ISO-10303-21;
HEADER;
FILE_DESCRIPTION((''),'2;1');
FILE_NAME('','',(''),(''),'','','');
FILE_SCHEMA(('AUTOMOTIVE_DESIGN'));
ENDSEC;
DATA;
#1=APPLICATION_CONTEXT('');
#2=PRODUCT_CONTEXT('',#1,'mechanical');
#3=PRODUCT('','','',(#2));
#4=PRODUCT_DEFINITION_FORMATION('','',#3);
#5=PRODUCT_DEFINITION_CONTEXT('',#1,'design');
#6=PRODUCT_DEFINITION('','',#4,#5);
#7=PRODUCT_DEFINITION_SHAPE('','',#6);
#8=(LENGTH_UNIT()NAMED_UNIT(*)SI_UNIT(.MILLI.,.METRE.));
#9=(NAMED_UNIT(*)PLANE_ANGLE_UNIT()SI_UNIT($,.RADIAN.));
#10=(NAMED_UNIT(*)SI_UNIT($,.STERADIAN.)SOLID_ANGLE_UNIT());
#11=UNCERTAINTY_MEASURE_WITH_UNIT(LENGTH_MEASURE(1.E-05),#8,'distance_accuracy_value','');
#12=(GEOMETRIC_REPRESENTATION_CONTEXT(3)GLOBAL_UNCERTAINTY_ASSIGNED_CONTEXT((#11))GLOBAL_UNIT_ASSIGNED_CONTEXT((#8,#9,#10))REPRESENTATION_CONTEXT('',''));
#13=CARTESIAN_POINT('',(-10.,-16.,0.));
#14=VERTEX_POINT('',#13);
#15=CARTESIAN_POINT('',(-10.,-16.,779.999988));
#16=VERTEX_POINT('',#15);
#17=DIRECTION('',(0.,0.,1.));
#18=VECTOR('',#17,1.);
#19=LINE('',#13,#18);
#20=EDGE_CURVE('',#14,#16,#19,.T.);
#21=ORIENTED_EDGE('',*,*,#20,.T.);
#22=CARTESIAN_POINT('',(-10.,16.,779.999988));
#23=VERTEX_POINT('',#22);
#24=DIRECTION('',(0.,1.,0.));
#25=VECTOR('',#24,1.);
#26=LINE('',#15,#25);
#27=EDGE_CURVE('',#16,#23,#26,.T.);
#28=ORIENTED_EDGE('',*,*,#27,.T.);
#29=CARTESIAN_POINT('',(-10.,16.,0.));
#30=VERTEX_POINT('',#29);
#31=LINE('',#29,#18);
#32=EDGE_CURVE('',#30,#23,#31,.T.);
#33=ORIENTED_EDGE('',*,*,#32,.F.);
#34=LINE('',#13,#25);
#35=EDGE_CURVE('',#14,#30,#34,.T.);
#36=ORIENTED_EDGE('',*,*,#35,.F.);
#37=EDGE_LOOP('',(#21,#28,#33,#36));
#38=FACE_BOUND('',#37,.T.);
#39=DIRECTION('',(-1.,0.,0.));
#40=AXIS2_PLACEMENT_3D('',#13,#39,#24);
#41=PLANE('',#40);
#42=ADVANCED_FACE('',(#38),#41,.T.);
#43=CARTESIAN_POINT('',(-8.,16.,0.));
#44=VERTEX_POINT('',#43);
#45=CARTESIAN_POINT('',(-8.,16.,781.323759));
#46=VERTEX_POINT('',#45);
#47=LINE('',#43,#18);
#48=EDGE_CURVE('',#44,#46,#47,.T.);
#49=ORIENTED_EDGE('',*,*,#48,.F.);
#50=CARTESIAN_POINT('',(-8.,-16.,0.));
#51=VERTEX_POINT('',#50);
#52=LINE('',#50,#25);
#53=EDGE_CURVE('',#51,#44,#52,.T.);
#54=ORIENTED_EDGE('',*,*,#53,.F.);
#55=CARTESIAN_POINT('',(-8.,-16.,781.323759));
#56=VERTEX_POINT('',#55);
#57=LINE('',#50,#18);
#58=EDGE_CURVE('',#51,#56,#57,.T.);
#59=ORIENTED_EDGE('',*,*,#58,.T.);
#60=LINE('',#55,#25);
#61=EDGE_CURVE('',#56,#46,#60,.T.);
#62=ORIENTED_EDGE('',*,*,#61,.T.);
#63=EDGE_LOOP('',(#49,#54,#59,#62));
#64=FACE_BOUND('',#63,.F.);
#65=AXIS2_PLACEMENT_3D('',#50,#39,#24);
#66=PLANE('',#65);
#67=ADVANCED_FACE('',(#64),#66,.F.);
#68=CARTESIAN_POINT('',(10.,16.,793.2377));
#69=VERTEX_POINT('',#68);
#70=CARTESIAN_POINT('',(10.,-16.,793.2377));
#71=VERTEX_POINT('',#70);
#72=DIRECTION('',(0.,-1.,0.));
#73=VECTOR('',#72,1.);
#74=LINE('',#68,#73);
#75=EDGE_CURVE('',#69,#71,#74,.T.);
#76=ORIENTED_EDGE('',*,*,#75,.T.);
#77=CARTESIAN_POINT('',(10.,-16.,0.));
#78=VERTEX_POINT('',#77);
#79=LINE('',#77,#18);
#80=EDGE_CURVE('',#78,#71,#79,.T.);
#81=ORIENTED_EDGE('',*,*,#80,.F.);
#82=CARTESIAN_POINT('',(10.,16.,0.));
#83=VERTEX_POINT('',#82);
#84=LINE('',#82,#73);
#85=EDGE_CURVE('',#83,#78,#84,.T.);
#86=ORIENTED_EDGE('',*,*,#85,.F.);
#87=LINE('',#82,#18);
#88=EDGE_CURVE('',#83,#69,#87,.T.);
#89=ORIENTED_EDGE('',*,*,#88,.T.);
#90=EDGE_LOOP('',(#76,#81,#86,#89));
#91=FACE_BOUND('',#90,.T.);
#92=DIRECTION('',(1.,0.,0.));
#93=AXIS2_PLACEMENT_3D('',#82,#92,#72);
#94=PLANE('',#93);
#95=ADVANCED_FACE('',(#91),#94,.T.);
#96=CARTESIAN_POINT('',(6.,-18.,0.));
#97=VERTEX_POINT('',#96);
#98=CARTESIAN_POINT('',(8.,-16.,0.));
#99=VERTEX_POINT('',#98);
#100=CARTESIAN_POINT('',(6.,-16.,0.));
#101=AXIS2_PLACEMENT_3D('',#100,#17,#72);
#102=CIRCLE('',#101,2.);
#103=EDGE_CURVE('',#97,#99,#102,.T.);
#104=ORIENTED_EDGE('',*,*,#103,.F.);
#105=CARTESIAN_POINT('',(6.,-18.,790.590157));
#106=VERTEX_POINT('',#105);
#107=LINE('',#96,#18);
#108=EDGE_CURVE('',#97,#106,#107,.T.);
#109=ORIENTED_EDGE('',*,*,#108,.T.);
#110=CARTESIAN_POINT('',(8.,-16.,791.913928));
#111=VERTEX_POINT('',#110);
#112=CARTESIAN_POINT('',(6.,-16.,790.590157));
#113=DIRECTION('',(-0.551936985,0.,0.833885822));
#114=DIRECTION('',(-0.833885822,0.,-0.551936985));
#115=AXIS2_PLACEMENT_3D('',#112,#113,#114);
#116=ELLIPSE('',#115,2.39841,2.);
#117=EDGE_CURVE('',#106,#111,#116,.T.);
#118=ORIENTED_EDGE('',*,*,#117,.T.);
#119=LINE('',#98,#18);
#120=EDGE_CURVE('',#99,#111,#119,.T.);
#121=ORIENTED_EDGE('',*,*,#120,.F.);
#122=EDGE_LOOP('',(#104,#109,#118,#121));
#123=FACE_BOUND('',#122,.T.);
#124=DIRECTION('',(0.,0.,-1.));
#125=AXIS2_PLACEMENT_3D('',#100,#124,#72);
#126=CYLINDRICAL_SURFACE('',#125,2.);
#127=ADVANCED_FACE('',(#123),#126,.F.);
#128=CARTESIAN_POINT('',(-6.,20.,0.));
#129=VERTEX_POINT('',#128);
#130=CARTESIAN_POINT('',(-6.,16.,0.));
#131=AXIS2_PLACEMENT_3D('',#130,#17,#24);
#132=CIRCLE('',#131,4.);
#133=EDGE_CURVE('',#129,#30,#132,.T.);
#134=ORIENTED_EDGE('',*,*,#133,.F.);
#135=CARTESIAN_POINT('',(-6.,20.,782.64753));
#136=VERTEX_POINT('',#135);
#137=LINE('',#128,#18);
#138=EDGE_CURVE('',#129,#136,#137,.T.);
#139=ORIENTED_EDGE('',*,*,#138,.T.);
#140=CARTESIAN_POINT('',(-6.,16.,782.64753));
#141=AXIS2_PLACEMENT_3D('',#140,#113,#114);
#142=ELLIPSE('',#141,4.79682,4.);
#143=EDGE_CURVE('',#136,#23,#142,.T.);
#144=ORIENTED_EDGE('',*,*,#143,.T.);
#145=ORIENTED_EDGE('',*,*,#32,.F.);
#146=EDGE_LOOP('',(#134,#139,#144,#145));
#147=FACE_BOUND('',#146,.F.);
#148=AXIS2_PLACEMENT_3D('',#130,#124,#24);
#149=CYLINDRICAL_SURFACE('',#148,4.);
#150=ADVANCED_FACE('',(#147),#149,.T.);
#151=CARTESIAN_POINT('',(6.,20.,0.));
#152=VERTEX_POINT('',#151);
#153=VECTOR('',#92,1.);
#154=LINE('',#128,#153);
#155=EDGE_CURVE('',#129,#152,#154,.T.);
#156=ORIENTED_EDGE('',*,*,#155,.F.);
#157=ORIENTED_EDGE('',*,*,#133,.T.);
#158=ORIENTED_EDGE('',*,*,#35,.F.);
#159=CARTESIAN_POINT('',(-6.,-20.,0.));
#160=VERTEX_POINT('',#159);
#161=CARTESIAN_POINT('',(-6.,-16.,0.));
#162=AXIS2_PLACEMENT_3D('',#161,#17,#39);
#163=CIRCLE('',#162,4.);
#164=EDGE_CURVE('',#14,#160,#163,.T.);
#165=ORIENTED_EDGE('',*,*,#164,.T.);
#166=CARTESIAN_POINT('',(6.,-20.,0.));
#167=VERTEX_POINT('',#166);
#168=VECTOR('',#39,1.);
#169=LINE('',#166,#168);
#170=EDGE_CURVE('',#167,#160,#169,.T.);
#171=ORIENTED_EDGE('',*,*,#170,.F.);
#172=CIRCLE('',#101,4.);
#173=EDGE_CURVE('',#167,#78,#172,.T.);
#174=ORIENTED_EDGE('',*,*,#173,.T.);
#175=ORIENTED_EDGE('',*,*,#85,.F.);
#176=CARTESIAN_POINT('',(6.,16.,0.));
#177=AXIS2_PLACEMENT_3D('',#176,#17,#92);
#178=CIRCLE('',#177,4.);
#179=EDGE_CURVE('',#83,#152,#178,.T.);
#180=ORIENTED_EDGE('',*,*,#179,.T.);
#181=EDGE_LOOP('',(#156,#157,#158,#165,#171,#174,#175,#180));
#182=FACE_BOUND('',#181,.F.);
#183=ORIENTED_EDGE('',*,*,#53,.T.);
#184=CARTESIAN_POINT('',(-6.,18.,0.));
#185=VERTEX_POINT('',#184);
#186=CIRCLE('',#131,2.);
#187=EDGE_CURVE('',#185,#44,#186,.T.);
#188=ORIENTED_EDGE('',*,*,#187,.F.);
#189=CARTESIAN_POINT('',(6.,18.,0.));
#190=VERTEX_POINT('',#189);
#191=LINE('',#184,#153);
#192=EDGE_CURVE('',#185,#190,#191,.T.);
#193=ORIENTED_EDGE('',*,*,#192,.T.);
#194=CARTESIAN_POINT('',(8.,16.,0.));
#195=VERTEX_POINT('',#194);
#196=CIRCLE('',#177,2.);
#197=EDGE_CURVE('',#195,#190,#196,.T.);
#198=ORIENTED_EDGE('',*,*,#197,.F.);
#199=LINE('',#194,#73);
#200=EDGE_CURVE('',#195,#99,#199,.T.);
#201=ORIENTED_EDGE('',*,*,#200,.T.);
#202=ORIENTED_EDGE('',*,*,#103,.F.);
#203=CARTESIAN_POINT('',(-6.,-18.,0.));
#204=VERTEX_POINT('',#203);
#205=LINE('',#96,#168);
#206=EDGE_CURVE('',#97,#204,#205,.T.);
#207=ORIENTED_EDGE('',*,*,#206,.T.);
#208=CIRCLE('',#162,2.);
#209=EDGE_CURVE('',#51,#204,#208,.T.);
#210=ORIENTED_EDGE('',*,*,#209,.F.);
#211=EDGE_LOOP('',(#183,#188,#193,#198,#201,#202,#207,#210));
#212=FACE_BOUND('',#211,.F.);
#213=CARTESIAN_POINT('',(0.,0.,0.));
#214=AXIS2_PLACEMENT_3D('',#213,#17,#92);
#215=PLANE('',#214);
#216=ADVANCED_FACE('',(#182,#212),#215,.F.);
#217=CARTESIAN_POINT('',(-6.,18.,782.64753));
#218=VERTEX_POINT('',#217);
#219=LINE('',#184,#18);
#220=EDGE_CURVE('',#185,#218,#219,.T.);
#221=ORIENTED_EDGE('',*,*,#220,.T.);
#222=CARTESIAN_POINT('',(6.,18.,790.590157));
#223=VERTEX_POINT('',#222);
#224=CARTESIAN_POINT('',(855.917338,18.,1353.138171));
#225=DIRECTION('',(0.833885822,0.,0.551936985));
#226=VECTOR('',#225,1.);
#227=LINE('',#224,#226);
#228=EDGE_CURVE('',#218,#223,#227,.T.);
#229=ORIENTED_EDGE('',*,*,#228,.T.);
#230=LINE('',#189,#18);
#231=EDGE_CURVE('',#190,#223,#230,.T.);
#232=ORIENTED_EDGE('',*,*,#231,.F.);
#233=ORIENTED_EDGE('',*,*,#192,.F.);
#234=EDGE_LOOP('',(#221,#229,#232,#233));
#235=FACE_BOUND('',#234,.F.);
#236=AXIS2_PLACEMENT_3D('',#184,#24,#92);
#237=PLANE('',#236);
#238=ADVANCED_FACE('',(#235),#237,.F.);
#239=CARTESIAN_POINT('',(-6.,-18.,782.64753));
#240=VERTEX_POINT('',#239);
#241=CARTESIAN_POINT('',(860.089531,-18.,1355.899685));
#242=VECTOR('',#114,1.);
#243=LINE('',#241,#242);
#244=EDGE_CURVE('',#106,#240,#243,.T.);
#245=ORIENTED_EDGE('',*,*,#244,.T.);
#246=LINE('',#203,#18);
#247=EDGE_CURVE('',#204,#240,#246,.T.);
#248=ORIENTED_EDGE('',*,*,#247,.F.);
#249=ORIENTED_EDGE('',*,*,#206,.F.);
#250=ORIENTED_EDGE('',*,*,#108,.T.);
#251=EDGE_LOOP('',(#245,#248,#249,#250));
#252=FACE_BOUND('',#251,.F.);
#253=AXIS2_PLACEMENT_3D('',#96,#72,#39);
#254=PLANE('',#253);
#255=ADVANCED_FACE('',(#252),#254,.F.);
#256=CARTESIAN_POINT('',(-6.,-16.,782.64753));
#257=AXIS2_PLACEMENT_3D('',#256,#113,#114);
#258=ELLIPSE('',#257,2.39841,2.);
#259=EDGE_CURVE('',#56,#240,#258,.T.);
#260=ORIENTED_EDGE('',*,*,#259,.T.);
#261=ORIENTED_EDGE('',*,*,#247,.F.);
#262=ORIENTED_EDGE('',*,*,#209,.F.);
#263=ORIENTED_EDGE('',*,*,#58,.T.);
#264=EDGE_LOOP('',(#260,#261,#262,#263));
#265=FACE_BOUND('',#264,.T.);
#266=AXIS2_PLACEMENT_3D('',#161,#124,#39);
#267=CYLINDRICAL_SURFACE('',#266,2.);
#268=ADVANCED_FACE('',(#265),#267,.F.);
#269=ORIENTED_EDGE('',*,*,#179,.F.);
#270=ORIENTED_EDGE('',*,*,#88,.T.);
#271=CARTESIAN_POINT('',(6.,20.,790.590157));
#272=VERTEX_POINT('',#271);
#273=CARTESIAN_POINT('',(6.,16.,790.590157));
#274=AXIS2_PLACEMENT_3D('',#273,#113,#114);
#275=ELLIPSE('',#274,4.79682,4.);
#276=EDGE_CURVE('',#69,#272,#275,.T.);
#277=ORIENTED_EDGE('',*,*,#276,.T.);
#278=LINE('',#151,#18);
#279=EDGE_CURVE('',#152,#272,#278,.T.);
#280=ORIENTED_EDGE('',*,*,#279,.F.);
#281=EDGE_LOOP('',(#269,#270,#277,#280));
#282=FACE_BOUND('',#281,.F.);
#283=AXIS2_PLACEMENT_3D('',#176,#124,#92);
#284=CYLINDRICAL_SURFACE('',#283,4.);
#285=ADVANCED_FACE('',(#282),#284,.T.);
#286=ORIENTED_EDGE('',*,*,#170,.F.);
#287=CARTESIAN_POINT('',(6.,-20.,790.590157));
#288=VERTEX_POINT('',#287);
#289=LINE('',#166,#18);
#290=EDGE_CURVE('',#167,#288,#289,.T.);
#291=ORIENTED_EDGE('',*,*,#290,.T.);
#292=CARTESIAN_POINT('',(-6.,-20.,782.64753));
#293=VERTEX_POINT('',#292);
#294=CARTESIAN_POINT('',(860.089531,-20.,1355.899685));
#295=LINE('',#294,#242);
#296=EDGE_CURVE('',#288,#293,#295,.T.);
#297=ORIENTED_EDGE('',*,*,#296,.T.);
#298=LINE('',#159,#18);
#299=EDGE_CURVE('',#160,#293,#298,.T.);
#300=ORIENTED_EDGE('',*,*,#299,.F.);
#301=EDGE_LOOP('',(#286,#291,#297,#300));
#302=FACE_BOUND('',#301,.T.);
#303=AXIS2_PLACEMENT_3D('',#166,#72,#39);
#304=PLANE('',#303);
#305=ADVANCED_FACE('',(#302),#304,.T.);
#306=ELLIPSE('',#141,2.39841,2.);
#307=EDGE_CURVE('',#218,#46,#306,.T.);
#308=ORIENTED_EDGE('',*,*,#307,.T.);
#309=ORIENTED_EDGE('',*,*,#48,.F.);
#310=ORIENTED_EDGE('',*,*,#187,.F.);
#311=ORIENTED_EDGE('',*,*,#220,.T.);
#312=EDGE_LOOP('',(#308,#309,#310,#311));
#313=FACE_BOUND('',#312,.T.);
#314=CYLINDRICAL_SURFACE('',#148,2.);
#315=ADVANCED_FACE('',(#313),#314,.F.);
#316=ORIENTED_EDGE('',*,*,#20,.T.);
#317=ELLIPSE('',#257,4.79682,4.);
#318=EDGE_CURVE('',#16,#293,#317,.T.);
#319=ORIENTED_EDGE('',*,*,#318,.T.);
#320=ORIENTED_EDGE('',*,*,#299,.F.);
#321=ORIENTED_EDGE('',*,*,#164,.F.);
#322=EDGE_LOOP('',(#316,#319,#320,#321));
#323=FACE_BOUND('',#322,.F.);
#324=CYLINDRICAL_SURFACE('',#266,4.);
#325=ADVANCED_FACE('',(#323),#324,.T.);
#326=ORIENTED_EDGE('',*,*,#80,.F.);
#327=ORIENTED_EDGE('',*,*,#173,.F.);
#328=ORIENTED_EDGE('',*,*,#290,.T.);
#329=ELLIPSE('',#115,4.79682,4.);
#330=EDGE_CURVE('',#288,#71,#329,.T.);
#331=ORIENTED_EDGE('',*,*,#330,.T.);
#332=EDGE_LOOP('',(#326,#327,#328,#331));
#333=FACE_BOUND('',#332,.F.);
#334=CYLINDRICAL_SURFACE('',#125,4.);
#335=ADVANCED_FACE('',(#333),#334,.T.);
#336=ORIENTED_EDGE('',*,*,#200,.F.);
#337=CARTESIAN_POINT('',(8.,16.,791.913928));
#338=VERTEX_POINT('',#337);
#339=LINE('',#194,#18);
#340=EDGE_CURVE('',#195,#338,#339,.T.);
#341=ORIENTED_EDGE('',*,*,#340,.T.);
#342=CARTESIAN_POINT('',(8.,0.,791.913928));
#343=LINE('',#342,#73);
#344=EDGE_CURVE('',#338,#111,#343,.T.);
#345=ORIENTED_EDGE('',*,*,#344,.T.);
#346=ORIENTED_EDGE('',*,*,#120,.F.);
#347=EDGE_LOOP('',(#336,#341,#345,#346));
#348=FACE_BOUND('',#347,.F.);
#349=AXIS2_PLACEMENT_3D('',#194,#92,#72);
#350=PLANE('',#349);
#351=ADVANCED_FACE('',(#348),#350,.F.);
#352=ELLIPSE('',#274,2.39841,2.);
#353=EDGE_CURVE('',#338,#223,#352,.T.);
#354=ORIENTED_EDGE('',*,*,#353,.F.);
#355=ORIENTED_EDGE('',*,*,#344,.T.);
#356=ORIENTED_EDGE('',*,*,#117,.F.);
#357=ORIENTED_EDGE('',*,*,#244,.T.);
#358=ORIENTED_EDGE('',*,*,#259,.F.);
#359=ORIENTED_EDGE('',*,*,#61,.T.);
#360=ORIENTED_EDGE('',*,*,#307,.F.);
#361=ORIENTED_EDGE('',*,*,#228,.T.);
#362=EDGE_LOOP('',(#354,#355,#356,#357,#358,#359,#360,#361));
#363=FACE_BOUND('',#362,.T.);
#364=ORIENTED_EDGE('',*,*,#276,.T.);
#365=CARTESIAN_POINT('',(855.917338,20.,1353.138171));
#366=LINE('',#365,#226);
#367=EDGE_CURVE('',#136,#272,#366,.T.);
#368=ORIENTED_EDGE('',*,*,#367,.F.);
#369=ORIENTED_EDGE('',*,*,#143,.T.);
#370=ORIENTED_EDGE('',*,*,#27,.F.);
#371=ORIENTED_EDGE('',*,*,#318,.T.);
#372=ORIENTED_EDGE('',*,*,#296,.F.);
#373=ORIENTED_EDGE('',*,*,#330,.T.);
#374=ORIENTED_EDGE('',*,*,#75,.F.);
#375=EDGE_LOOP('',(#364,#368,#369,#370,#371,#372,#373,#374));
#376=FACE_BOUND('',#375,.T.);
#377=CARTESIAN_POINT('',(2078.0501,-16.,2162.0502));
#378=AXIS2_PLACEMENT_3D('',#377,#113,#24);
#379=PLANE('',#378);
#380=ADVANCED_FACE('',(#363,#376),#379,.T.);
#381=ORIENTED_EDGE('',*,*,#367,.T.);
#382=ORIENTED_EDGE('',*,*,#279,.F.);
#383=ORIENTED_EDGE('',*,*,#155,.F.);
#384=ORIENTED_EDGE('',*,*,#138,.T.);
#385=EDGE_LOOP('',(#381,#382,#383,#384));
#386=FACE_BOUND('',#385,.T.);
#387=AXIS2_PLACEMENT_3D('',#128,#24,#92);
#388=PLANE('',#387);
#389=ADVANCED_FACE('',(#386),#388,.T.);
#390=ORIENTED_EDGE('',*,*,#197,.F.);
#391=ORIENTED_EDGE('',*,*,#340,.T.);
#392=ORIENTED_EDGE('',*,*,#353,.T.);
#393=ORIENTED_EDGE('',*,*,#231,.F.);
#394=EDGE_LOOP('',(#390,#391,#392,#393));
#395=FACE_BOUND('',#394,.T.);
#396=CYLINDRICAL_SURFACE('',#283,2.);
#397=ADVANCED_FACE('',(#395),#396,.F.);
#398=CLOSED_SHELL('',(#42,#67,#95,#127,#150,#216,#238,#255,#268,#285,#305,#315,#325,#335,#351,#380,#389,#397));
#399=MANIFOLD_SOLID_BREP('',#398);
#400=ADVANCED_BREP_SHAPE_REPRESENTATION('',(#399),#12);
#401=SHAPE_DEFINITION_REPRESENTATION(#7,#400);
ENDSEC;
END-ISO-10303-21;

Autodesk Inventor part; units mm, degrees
ref_plane "Start Plane" through (0, 0, 0) normal (0, 0, 1) x (1, 0, 0)
ref_plane "End Plane" through (0, 0, 793.2377) normal (0, 0, 1) x (1, 0, 0)
sketch "Sketch" plane through (0, 0, 0) normal (0, 0, 1) x (1, 0, 0)
  line L0 (-10, -16) -> (-10, 16)
  line L1 (-6, 20) -> (6, 20)
  line L2 (10, 16) -> (10, -16)
  line L3 (6, -20) -> (-6, -20)
  arc A0 (-10, -16) -> (-6, -20) centre (-6, -16) ccw
  arc A1 (10, 16) -> (6, 20) centre (6, 16) ccw
  arc A2 (-6, 20) -> (-10, 16) centre (-6, 16) ccw
  arc A3 (6, -20) -> (10, -16) centre (6, -16) ccw
  arc A4 (-6, 18) -> (-8, 16) centre (-6, 16) ccw
  line L4 (-6, 18) -> (6, 18)
  arc A5 (8, 16) -> (6, 18) centre (6, 16) ccw
  line L5 (8, 16) -> (8, -16)
  arc A6 (6, -18) -> (8, -16) centre (6, -16) ccw
  line L6 (6, -18) -> (-6, -18)
  arc A7 (-8, -16) -> (-6, -18) centre (-6, -16) ccw
  line L7 (-8, -16) -> (-8, 16)
  line L8 (0, 29.1598) -> (0, -29.1598) construction
  line L9 (-15.1598, 0) -> (15.1598, 0) construction
  dimension "d7" = 4
  dimension "d9" = 20
  dimension "d11" = 40
  dimension "d12" = 2
  dimension "d15" = 10
  dimension "d16" = 20
extrude "Body" add sketch "Sketch" along normal up to surface (793.2377 mm away) from surface at 0
sketch "Sketch3" plane through (0, 0, 0) normal (0, 0, 1) x (1, 0, 0)
  line L0 (0, 0) -> (10, 0)
ref_plane "Work Plane3" through (0, 0, 0) normal (0, -1, 0) x (1, 0, 0)
ref_plane "Work Plane4" through (2078.0501, -16, 2162.0502) normal (-0.5519, 0, 0.8339) x (0.8339, 0, 0.5519)
split "Split1" plane through (2078.0501, -16, 2162.0502) removes the side toward (-0.5519, 0, 0.8339)
sketch "Sketch4" plane through (0, 0, 0) normal (0, -1, 0) x (1, 0, 0)
  line L0 (-2, 0) -> (12, 0) projected
  line L1 (-2, 793.2377) -> (12, 793.2377) projected
  dimension "d18" = 793.2377
equation "\"d7\" = G_IR"
equation "\"d9\" = G_W"
equation "\"d11\" = G_H"
equation "\"d12\" = G_T"
equation "\"d15\" = 0.5 * d9"
equation "\"d16\" = 0.5 * d11"
equation "\"d3\" = G_L"
equation "\"G_W\" = 20"
equation "\"G_H\" = 40"
equation "\"G_T\" = 2"
equation "\"G_IR\" = 4"
equation "\"G_L\" = d18"
equation "\"G_OFFSET_START\" = 0"
equation "\"G_OFFSET_END\" = 13.23771"
equation "\"d14\" = G_OFFSET_END + B_L"
equation "\"B_L\" = 780"
properties part number "ISO 4019 - 40x20x2 - 793,24" material "Steel, Mild"
